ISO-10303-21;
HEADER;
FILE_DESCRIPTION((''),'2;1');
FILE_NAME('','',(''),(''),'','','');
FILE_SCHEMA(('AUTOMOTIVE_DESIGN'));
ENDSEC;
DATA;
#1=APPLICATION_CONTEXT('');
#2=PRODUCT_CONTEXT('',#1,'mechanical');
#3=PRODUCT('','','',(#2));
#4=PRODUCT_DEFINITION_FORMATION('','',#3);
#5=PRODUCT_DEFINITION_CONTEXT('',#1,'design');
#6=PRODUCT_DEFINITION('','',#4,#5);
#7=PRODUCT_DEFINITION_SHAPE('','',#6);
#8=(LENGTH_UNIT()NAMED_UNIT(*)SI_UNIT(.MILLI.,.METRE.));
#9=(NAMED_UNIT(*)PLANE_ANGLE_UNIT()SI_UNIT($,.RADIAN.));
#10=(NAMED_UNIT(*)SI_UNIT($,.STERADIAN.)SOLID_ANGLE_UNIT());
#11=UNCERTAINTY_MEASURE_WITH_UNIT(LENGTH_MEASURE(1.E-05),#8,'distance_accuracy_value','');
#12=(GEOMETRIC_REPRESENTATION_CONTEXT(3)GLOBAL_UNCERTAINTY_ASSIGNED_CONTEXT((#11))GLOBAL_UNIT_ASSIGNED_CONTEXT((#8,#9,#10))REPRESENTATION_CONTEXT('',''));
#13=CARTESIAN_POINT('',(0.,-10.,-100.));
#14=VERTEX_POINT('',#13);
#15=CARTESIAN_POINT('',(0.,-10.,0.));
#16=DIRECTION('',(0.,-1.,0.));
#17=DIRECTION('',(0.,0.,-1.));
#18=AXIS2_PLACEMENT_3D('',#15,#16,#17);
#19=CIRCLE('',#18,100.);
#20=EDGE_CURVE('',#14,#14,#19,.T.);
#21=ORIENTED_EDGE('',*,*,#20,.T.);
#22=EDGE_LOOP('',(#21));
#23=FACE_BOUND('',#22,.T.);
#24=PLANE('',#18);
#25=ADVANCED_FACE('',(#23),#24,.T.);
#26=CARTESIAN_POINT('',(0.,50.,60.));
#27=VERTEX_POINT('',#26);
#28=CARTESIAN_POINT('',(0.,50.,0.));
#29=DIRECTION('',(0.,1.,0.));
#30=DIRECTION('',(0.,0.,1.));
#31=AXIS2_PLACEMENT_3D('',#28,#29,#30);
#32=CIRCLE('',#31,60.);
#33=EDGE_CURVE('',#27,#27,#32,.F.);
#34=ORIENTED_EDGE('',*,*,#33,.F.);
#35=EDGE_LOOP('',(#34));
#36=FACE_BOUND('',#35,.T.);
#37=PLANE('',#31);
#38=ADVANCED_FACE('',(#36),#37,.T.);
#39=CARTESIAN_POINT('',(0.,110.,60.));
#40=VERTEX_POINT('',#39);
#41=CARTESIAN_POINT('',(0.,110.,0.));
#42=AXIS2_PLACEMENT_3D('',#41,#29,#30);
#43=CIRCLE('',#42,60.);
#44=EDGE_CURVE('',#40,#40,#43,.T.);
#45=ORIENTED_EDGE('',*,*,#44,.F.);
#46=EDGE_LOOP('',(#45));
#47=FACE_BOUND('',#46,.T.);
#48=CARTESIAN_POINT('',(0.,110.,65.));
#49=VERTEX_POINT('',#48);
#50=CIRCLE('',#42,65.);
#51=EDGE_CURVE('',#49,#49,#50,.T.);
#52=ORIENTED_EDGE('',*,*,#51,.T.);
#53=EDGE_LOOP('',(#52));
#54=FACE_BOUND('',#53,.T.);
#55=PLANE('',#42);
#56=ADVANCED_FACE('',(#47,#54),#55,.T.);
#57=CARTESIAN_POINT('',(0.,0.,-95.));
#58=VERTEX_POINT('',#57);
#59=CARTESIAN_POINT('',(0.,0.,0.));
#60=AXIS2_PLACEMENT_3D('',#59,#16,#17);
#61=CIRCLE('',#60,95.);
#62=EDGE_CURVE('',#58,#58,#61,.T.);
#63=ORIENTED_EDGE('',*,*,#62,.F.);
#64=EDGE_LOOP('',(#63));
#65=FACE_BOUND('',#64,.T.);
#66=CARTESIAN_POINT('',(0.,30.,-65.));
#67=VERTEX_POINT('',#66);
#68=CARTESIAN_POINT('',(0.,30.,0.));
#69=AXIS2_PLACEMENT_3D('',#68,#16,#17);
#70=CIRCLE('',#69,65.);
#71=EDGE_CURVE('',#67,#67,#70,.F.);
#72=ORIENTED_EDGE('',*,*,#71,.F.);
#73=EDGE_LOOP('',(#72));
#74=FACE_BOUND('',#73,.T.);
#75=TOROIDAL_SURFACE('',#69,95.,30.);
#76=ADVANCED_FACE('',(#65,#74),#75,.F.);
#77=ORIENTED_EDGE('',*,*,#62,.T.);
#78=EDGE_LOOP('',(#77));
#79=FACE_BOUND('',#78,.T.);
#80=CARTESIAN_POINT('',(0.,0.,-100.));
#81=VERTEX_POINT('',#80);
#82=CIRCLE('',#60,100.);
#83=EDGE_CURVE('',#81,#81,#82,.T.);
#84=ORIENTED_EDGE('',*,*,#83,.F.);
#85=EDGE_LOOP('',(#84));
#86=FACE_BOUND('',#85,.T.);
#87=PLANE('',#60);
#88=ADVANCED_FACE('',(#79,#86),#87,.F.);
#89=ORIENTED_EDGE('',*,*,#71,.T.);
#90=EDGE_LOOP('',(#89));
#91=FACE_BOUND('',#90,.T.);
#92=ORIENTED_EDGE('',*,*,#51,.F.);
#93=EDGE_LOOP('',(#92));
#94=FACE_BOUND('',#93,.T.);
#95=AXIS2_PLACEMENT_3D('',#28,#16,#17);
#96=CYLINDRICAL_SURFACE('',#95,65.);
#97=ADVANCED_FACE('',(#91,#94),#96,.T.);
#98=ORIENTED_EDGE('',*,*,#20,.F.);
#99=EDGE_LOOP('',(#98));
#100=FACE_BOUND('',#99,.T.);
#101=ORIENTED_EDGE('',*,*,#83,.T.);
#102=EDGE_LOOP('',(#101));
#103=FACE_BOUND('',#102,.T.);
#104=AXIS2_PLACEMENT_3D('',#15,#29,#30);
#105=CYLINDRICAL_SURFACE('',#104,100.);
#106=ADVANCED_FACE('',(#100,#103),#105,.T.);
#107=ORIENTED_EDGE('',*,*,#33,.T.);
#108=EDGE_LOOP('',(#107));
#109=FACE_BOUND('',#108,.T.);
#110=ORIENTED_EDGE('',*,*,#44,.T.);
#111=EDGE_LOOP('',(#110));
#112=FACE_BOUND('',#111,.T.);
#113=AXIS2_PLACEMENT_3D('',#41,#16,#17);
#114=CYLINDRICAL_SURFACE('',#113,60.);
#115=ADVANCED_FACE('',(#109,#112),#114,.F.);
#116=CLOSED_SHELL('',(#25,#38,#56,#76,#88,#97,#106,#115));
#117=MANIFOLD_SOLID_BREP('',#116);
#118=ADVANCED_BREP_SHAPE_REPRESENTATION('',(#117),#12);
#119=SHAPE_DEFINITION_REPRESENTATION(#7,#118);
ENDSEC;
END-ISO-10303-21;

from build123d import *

# Parameters (mm, degrees)
SKETCH_1_R      = 65
EXTRUDE_1_DEPTH = 50
SKETCH_2_R      = 65
SKETCH_2_R_2    = 60
EXTRUDE_2_DEPTH = 60
SKETCH_3_R      = 100
EXTRUDE_3_DEPTH = 10
FILLET_1_R      = 30


with BuildPart() as part:
    # 草图1 → 凸台-拉伸1 (new body)
    with BuildSketch(Plane(origin=(0, 0, 0), x_dir=(1, 0, 0), z_dir=(0, 1, 0))):
        with Locations(Location((0, 0, 0), (0, 0, 270))):
            Circle(SKETCH_1_R)
    extrude(amount=EXTRUDE_1_DEPTH)

    # 草图2 → 凸台-拉伸2 (add)
    with BuildSketch(Plane(origin=(0, 50, 0), x_dir=(1, 0, 0), z_dir=(0, 1, 0))):
        with Locations(Location((0, 0, 0), (0, 0, 270))):
            Circle(SKETCH_2_R)
        with Locations(Location((0, 0, 0), (0, 0, 270))):
            Circle(SKETCH_2_R_2, mode=Mode.SUBTRACT)
    extrude(amount=EXTRUDE_2_DEPTH)

    # 草图3 → 凸台-拉伸3 (add)
    with BuildSketch(Plane.XZ):
        with Locations(Location((0, 0, 0), (0, 0, 270))):
            Circle(SKETCH_3_R)
    extrude(amount=EXTRUDE_3_DEPTH)

    # 圆角1
    fillet_1_edges = [part.edges().sort_by_distance(p)[0] for p in [
        (0, 0, -65),
    ]]
    fillet(fillet_1_edges, radius=FILLET_1_R)


solid = part.part
